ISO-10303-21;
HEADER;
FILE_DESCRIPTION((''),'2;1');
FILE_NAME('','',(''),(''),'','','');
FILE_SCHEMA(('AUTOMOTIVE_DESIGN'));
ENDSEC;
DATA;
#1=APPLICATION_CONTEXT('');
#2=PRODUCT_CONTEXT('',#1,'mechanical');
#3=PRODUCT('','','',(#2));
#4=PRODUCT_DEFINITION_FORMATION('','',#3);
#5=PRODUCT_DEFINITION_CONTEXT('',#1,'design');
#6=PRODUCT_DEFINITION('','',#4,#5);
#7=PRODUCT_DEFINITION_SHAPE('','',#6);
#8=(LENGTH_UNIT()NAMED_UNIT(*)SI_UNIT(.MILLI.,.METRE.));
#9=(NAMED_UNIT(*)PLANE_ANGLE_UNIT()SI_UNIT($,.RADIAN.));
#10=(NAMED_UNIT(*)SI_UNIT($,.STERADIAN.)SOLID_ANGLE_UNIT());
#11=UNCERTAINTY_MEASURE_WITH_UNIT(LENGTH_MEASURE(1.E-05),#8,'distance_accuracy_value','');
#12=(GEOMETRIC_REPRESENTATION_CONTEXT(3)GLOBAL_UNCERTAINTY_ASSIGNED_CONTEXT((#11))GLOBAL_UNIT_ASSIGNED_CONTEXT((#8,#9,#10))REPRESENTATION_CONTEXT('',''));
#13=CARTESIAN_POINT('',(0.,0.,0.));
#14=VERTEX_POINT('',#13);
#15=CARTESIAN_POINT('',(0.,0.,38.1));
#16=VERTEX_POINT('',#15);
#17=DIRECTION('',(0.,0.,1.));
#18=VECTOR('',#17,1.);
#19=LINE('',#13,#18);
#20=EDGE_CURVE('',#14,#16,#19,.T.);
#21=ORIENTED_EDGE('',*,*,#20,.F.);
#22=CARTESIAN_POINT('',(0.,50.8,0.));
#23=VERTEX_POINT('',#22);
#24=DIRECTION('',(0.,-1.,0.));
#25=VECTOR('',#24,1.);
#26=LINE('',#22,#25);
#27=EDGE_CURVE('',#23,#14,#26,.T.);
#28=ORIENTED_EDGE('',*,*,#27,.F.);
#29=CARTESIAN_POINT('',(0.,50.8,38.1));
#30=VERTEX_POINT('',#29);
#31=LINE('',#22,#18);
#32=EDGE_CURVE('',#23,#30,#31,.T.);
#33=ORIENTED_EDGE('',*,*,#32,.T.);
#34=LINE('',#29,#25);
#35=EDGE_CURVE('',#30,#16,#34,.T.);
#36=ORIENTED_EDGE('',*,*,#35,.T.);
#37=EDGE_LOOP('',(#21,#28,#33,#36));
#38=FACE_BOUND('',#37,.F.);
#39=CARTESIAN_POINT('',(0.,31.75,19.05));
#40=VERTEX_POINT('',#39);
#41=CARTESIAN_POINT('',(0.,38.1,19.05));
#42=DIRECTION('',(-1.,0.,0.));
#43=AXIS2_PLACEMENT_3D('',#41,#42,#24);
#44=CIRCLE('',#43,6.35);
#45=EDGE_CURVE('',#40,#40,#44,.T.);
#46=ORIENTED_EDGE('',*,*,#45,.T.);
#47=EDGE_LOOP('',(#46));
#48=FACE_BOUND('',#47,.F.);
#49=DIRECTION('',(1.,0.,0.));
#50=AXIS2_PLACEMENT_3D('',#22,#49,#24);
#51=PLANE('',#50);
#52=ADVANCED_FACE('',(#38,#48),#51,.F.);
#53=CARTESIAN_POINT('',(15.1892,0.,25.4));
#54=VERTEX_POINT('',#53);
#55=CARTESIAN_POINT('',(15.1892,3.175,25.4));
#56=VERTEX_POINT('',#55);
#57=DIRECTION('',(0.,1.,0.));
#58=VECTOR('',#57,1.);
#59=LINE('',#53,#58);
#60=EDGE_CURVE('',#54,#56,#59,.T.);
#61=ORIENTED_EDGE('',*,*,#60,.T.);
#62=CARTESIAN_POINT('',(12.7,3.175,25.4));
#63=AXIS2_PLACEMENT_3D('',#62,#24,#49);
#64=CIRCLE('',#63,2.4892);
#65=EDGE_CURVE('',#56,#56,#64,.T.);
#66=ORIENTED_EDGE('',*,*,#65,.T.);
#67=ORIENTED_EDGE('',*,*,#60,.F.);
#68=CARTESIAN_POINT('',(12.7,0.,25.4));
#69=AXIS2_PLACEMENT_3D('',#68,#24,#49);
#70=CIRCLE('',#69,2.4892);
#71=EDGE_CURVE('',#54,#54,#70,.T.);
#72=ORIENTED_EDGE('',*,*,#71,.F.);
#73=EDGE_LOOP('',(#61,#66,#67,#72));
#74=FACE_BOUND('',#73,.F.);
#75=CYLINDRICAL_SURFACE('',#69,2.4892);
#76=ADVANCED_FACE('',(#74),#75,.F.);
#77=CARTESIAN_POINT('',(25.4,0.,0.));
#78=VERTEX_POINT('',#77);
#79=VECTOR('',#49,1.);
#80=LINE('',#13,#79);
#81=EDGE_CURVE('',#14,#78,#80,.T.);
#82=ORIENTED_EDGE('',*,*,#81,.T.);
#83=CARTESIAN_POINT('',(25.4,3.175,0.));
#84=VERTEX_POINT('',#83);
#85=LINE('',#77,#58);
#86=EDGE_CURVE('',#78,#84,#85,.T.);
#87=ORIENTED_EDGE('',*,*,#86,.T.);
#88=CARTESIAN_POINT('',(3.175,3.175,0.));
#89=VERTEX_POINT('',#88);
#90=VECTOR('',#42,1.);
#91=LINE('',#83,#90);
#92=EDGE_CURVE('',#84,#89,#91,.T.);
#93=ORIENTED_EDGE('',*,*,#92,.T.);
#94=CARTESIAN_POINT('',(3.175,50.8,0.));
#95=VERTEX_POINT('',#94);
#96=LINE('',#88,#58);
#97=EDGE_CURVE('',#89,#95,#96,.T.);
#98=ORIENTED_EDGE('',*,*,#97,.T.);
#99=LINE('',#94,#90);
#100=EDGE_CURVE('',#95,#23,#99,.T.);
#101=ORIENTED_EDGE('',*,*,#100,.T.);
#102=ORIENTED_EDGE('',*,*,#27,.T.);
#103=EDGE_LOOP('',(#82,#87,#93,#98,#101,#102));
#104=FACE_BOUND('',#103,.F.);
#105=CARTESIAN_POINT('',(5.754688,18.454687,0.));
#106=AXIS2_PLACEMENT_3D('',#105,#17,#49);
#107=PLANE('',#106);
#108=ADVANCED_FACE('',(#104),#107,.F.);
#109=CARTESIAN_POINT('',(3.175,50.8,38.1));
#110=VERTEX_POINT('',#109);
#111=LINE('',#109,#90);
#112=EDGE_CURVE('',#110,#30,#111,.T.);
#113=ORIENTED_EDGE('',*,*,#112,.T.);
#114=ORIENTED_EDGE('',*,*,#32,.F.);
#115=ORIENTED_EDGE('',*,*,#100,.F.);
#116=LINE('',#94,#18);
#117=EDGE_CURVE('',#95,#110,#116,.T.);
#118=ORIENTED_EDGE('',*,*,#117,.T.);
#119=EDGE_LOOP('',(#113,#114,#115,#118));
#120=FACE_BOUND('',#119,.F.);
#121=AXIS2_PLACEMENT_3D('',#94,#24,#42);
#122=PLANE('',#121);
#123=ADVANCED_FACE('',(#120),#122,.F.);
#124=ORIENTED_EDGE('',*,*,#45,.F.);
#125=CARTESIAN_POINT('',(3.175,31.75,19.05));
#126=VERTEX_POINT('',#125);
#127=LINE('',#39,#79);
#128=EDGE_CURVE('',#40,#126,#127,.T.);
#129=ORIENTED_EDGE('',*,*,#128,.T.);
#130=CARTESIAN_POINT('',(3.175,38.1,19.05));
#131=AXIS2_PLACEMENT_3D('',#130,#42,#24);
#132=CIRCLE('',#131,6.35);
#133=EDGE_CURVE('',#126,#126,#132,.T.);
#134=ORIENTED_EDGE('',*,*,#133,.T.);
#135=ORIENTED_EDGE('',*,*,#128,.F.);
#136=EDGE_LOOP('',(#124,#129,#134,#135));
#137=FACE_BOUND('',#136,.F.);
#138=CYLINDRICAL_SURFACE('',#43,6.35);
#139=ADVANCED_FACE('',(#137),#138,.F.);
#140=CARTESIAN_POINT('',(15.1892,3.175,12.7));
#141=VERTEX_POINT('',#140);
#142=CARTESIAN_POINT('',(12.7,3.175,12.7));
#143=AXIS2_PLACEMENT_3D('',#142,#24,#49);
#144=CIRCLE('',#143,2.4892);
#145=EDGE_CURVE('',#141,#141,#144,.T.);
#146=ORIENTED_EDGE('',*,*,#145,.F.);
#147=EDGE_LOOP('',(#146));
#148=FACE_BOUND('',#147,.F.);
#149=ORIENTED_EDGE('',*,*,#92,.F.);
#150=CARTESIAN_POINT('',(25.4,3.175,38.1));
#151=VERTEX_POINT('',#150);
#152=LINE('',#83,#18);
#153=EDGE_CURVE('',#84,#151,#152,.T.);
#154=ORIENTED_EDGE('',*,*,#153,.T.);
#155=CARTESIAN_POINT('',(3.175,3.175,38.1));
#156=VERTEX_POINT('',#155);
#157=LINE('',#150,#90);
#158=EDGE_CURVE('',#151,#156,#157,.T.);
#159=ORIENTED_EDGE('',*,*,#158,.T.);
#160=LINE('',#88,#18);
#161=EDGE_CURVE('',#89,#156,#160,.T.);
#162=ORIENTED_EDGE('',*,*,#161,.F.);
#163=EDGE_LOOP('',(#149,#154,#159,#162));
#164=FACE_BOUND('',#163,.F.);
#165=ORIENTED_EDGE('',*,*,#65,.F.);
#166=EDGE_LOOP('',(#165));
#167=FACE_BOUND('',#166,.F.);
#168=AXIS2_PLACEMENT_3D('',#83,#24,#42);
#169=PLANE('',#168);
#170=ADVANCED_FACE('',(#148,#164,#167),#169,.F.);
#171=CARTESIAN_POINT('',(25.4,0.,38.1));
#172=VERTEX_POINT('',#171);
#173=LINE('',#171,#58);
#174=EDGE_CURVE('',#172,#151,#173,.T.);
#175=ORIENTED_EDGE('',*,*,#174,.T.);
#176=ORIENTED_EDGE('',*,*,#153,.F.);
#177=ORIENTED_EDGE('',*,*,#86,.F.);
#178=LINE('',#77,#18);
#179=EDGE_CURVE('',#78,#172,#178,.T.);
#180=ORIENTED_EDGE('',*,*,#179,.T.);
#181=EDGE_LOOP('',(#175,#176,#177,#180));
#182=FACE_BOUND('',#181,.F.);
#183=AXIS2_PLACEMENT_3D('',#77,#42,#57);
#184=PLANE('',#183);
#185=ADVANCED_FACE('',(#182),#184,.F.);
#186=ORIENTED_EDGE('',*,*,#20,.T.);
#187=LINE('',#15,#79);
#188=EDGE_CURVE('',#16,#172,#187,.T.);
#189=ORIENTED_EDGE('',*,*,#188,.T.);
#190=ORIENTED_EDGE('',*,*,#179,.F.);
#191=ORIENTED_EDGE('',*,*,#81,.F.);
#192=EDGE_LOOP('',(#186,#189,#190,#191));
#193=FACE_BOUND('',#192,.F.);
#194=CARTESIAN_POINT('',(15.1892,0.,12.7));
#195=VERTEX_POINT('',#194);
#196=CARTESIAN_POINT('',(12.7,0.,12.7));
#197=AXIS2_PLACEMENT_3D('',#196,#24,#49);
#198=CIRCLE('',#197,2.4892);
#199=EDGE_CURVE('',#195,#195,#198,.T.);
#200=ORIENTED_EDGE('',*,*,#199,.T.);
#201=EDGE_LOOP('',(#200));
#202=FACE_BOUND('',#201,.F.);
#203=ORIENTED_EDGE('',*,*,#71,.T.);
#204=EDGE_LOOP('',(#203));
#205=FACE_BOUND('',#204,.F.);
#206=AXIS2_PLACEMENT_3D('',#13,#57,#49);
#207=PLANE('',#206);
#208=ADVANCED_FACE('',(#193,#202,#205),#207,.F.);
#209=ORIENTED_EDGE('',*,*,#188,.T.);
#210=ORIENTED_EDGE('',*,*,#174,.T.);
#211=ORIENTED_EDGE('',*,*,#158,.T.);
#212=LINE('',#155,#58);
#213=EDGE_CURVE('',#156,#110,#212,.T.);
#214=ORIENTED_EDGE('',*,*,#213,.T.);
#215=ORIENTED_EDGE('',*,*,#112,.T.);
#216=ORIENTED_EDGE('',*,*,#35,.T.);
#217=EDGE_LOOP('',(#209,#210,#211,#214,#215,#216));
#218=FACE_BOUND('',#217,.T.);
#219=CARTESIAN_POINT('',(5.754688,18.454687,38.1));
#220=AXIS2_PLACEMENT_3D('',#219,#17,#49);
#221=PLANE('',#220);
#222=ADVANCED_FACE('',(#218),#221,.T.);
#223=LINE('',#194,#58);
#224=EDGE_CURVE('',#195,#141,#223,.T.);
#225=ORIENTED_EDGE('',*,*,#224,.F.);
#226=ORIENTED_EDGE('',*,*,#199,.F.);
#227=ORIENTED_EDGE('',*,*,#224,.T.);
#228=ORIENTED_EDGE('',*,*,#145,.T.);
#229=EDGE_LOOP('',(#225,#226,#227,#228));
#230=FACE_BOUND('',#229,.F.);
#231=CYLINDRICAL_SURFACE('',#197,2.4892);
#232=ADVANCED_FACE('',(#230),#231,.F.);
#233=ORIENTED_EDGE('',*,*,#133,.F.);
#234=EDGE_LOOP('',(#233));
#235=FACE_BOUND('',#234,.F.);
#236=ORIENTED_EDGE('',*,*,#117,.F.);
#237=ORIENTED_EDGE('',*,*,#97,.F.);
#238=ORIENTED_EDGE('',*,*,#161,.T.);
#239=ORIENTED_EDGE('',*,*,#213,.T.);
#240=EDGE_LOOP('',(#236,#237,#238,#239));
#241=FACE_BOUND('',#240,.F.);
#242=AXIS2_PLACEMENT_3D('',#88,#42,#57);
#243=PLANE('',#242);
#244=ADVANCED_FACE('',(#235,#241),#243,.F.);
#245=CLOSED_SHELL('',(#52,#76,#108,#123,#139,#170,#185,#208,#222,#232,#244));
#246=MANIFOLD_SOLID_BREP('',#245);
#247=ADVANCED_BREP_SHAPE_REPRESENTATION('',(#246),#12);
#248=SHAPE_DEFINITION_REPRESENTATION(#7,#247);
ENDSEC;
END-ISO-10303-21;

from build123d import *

# Parameters (mm, degrees)
F1_DEPTH = 38.1
F2_R     = 2.4892
F3_DEPTH = 50.801
F4_R     = 6.35
F5_DEPTH = 25.401


with BuildPart() as f1:
    # F0 (on Top) → F1 (new body)
    with BuildSketch(Plane.XY):
        Polygon((3.175, 50.8), (0, 50.8), (0, 0), (25.4, 0), (25.4, 3.175), (3.175, 3.175), align=None)
    extrude(amount=F1_DEPTH)

    # F2 (on face) → F3 (cut, through all)
    with BuildSketch(Plane.XZ):
        with Locations((12.7, 25.4)):
            Circle(F2_R)
        with Locations((12.7, 12.7)):
            Circle(F2_R)
    extrude(amount=-F3_DEPTH, mode=Mode.SUBTRACT)

    # F4 (on face) → F5 (cut, through all)
    with BuildSketch(Plane(origin=(0, 0, 0), x_dir=(0, -1, 0), z_dir=(-1, 0, 0))):
        with Locations((-38.1, 19.05)):
            Circle(F4_R)
    extrude(amount=-F5_DEPTH, mode=Mode.SUBTRACT)


solid = f1.part
